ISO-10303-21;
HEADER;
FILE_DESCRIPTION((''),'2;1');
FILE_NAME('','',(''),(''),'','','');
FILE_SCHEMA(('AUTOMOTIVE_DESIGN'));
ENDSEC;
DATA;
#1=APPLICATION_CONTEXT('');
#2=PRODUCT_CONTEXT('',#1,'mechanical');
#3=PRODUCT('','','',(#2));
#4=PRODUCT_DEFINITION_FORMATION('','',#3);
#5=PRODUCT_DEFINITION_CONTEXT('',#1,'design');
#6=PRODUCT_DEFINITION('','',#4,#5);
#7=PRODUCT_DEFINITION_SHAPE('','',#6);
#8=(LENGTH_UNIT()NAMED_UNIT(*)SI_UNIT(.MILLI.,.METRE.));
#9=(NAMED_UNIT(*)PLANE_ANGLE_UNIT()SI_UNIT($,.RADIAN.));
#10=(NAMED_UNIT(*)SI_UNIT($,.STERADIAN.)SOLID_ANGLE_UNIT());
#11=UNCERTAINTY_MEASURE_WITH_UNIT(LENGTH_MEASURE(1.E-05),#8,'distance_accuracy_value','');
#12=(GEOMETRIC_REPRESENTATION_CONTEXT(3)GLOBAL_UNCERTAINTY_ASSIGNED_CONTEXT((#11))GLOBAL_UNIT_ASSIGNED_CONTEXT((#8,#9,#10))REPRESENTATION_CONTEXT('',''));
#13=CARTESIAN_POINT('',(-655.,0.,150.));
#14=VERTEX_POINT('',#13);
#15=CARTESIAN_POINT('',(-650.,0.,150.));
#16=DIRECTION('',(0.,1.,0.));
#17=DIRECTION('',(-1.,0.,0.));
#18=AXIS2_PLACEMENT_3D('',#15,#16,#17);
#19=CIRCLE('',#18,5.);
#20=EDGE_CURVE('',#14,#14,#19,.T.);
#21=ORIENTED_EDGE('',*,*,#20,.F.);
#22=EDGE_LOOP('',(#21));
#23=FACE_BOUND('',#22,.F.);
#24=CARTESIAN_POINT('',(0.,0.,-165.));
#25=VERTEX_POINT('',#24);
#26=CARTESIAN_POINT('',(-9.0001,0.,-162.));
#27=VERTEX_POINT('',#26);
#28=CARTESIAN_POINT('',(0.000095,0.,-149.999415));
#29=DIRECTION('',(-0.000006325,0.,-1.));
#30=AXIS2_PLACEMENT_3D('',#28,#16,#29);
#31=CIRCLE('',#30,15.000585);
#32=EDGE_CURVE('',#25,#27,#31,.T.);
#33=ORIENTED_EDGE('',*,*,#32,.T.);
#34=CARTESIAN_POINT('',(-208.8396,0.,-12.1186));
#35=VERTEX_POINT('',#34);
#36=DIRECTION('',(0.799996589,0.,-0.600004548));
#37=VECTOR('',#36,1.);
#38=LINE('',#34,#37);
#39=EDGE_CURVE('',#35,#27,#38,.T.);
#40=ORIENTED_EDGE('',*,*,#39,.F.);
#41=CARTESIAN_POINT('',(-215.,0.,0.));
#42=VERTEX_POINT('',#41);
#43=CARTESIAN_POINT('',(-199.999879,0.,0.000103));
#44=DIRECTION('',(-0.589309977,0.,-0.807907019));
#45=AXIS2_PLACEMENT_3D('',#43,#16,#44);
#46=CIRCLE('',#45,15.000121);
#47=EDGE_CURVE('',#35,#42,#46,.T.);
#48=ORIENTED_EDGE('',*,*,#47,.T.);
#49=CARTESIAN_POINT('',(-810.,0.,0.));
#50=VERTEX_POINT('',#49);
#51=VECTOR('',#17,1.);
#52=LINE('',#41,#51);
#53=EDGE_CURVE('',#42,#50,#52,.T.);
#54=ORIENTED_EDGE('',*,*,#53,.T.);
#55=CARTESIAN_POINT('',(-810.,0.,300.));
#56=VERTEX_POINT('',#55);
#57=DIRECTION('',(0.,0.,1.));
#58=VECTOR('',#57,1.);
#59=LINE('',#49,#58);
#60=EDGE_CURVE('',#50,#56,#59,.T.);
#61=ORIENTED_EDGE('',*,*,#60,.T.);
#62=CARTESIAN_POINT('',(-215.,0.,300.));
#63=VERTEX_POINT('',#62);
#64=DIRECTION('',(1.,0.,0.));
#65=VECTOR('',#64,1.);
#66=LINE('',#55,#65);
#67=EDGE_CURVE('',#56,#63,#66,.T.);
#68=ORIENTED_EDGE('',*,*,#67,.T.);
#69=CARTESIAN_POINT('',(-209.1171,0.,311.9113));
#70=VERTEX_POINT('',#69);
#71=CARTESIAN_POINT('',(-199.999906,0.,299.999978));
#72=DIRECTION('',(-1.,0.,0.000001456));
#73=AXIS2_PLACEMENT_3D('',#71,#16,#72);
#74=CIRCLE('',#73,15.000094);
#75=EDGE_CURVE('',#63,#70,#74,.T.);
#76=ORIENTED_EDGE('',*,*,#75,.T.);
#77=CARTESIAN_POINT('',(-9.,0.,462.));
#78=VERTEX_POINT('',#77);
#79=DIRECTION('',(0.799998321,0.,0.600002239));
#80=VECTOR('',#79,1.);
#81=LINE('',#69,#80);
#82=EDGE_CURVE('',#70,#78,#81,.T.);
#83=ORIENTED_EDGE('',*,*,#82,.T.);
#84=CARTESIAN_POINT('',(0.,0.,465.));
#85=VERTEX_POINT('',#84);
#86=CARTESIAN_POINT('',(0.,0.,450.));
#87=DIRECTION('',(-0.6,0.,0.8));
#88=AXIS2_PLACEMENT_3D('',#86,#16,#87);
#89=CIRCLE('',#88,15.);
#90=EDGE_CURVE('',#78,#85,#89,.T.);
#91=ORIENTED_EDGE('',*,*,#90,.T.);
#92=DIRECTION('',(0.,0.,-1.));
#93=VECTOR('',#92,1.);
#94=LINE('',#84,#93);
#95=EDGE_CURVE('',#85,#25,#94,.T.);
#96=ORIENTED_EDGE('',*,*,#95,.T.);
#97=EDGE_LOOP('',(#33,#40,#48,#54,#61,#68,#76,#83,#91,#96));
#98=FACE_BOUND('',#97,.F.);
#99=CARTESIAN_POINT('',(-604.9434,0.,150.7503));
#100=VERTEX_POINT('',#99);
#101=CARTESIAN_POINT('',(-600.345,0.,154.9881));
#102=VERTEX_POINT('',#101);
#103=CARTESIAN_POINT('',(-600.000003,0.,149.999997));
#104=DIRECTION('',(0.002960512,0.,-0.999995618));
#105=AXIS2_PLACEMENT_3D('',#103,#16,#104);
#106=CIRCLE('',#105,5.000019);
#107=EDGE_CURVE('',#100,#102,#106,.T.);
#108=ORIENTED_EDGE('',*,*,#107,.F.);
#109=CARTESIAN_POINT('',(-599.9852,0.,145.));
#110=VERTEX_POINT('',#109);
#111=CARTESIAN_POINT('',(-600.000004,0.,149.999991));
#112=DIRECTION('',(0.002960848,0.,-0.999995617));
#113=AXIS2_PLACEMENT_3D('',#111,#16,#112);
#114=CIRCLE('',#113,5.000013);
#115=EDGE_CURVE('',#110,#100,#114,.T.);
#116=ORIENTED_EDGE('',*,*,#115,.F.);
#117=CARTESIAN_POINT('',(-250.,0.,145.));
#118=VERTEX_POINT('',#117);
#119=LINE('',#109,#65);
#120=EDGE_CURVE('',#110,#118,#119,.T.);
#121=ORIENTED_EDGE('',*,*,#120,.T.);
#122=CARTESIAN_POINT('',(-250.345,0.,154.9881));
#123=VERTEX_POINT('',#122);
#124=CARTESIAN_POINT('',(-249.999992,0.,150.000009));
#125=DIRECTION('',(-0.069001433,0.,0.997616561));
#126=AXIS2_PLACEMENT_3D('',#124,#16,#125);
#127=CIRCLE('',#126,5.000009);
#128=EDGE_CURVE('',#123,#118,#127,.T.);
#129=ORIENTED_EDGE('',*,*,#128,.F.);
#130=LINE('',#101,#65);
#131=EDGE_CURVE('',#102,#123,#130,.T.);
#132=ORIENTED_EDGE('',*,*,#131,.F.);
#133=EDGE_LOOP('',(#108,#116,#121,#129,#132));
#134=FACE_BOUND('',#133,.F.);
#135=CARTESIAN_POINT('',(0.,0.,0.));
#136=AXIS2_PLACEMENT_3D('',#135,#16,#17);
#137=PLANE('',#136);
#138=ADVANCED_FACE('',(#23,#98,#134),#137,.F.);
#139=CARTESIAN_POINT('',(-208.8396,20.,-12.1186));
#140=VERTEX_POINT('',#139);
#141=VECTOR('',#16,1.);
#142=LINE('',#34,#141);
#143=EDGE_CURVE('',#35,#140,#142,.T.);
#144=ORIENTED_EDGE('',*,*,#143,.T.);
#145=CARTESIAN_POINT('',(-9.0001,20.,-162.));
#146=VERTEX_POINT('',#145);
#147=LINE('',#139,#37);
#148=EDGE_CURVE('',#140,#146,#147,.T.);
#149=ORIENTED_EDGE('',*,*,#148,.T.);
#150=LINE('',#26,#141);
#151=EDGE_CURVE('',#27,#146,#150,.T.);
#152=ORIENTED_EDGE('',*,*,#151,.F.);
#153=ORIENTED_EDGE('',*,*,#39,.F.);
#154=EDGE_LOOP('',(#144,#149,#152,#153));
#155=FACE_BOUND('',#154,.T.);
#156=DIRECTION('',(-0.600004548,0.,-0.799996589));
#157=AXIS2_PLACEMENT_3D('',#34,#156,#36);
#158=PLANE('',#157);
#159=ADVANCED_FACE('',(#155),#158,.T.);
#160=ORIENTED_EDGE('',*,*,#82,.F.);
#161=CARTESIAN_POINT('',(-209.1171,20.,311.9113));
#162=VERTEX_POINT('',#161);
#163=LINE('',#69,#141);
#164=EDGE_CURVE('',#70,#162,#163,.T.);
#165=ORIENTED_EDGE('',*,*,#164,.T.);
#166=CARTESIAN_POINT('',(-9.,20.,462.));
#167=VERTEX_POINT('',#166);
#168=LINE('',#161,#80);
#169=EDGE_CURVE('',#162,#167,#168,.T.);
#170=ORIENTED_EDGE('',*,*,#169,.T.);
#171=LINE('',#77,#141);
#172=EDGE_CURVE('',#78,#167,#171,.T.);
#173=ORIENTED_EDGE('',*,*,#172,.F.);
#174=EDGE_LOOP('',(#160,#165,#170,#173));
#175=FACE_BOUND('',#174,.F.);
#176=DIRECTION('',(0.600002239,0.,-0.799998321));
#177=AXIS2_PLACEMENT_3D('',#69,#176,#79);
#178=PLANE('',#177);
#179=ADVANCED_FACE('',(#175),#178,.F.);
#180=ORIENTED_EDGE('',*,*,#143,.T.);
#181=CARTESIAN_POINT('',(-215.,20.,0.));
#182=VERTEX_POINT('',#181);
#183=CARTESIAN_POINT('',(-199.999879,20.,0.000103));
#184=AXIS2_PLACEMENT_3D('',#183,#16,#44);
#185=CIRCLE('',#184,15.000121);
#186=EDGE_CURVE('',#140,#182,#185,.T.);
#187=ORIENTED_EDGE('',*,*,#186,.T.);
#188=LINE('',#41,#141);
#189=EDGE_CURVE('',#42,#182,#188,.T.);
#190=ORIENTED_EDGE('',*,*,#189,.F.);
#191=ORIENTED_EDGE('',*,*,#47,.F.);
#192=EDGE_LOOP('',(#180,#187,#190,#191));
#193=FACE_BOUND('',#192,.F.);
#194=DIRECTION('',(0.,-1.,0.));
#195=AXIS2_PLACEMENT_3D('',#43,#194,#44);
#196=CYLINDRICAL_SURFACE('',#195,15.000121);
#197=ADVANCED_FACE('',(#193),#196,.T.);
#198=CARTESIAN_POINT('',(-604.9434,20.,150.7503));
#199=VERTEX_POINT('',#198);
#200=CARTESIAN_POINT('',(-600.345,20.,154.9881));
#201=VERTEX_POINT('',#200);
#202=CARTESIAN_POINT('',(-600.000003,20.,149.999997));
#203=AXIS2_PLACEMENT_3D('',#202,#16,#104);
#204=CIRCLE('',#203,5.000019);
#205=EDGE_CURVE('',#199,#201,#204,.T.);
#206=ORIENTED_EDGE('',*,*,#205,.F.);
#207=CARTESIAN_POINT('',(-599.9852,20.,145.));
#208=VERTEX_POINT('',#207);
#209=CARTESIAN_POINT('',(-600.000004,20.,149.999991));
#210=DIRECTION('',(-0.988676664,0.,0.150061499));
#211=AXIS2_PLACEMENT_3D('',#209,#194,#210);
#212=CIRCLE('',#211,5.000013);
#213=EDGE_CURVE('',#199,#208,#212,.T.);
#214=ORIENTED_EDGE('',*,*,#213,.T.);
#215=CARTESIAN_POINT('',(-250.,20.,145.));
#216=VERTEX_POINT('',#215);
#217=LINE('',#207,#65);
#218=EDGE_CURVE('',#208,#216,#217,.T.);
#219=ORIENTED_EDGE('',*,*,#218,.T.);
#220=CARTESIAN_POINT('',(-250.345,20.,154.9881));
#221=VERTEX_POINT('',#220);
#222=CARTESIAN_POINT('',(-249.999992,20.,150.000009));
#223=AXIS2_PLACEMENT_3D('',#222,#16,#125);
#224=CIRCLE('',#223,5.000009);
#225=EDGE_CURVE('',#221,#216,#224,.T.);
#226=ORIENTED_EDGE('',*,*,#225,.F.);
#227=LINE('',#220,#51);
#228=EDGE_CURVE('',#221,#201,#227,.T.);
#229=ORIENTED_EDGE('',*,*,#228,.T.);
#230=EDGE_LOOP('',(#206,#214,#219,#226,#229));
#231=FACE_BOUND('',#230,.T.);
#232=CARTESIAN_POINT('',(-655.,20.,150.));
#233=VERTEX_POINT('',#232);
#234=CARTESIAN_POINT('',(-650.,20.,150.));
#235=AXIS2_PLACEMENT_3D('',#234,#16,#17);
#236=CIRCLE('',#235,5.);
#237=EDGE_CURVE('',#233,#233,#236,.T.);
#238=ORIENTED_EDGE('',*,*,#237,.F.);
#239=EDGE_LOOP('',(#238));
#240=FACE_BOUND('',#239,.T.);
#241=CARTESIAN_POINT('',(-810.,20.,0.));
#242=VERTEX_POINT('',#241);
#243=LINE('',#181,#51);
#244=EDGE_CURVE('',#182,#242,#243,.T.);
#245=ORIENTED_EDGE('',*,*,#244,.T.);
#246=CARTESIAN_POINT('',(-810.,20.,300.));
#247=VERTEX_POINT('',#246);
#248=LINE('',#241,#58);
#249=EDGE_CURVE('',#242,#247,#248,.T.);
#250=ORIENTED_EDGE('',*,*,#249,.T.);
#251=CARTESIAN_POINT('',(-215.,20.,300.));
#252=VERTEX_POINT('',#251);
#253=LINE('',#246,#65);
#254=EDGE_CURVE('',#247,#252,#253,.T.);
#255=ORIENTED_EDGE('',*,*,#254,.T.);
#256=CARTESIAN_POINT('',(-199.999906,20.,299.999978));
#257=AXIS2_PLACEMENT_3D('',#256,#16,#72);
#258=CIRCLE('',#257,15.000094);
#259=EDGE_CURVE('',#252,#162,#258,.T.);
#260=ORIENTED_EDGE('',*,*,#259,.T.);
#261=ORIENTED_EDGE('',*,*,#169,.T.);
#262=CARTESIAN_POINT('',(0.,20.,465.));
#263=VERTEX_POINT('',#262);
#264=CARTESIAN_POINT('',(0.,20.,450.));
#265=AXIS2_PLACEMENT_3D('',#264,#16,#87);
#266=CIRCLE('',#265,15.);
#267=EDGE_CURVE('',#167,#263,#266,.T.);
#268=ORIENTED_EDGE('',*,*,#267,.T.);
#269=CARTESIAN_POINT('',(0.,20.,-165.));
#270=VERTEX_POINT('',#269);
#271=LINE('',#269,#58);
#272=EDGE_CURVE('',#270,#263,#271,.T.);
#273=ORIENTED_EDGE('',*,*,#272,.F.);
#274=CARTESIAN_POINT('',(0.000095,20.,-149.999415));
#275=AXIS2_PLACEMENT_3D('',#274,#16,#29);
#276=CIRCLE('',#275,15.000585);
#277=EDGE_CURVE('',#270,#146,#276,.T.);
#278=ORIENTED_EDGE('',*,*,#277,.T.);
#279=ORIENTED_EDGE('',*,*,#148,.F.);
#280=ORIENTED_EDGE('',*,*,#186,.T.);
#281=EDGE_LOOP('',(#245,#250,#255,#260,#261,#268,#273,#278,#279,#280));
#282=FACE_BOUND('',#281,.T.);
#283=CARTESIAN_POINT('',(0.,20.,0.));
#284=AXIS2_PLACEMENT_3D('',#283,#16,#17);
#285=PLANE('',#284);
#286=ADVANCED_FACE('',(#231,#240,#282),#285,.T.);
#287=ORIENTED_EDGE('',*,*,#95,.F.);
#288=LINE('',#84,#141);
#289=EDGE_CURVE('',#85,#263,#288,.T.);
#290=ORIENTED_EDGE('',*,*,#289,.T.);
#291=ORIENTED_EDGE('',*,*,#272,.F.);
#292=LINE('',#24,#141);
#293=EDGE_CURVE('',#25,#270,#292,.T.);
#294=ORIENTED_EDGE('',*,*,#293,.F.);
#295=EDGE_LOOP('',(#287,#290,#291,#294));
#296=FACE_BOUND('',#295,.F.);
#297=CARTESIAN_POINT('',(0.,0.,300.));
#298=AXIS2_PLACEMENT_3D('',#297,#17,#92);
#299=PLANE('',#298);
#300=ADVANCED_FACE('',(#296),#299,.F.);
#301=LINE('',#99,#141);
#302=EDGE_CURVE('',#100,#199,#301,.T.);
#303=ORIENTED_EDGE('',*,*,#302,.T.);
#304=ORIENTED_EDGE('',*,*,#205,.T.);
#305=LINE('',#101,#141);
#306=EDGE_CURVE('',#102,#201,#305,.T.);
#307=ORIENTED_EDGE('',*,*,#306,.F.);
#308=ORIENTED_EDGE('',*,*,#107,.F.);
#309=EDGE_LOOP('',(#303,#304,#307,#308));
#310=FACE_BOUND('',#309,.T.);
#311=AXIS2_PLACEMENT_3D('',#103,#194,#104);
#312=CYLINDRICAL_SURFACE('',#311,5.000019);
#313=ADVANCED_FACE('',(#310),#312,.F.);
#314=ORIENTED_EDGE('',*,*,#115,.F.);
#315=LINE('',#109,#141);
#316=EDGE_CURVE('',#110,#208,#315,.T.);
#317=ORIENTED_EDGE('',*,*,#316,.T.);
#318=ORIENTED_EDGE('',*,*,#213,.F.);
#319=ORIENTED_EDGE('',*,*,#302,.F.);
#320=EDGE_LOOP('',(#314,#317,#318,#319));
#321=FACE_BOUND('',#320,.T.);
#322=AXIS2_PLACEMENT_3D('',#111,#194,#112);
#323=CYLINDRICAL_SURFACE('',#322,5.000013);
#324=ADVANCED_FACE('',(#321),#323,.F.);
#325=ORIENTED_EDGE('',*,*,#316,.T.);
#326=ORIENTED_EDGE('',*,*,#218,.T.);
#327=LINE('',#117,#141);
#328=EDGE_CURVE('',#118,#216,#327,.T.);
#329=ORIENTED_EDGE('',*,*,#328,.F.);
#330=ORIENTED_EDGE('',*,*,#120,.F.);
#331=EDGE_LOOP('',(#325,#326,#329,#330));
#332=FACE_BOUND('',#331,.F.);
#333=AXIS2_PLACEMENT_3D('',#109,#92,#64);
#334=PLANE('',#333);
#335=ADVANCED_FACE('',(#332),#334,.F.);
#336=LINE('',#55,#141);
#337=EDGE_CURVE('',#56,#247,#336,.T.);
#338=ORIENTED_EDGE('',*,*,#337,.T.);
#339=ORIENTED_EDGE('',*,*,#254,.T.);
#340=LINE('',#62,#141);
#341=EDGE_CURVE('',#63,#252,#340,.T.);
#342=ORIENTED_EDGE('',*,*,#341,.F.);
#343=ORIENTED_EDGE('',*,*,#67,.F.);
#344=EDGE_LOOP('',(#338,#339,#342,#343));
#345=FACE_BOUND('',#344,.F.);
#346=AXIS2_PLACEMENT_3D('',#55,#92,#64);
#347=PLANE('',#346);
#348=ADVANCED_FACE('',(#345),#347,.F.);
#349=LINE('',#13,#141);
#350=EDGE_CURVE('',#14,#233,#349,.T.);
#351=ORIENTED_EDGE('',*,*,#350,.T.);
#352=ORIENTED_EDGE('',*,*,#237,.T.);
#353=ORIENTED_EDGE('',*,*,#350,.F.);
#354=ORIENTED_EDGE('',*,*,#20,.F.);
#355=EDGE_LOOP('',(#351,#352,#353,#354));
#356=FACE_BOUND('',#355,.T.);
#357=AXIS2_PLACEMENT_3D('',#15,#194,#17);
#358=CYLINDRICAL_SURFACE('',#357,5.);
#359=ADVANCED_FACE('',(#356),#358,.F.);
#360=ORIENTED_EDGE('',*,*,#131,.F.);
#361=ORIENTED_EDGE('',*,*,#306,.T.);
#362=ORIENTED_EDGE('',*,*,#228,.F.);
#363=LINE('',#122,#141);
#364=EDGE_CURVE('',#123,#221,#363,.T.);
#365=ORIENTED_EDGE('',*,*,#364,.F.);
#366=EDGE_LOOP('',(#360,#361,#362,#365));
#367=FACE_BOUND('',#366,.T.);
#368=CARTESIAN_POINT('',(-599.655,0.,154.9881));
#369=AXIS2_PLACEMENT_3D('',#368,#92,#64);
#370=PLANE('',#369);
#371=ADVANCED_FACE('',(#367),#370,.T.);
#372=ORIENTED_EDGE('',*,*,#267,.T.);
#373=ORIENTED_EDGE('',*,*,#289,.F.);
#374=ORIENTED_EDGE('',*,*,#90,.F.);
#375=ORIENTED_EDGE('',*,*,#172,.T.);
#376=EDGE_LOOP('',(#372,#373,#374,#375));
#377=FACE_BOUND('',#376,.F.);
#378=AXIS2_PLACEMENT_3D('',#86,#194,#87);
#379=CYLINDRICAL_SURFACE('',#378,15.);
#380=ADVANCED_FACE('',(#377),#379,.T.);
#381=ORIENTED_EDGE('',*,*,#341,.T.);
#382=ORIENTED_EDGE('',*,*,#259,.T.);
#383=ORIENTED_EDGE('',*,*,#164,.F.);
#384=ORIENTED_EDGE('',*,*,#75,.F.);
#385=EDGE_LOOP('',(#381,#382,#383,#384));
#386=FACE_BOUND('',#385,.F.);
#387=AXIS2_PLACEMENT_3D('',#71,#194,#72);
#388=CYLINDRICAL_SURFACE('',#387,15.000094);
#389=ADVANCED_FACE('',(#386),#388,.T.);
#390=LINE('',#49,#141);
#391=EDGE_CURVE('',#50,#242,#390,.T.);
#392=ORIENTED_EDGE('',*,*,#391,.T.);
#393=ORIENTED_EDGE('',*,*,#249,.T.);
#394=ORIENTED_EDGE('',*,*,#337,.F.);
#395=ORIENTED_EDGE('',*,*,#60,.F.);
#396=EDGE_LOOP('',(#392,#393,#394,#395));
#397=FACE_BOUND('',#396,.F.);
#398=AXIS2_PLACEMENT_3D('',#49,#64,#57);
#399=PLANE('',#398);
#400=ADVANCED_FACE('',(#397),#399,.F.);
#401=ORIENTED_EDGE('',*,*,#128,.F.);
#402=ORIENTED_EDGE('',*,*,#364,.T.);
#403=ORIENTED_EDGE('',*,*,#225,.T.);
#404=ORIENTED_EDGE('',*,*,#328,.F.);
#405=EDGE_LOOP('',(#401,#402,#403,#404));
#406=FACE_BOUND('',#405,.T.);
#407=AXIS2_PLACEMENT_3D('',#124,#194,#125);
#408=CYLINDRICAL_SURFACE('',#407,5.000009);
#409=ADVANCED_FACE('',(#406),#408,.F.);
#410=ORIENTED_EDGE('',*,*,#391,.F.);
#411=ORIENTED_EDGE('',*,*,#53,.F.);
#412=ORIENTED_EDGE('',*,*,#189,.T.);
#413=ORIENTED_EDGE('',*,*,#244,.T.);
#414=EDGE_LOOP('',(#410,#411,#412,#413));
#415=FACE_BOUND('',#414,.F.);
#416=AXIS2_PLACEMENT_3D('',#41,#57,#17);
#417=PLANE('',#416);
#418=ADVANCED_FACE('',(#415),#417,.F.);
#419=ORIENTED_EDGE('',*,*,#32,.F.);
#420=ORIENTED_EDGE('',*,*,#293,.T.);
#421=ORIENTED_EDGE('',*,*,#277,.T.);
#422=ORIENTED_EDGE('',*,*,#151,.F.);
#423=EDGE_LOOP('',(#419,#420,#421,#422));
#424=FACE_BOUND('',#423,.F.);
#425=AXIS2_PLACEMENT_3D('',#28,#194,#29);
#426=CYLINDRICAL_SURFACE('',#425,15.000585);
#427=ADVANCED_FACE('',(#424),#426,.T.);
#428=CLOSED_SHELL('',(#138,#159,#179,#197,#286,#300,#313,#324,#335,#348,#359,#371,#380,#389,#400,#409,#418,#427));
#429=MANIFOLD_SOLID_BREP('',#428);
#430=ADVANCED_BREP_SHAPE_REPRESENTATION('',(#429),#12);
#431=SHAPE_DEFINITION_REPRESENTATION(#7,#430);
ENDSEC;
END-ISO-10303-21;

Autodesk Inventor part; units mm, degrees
ref_plane "YZ Plane" through (0, 0, 0) normal (1, 0, 0) x (0, 1, 0)
ref_plane "XZ Plane" through (0, 0, 0) normal (0, 1, 0) x (-1, 0, 0)
ref_plane "XY Plane" through (0, 0, 0) normal (0, 0, 1) x (1, 0, 0)
sketch "Block1" plane through (0, 0, 0) normal (0, 0, 1) x (1, 0, 0)
  line L0 (-221.2939, -300.22) -> (-810.22, -300.22)
  line L1 (-810.22, -300.22) -> (-810.22, 0.22)
  line L2 (-810.22, 0.22) -> (-221.2939, 0.22)
  line L3 (-221.2939, 0.22) -> (-10.7624, 210.7619)
  arc A0 (0.22, 215.2184) -> (-10.7624, 210.7619) centre (0, 200) ccw
  line L4 (0.22, 215.2184) -> (0.22, -515.2184)
  arc A1 (-10.7624, -510.7619) -> (0.22, -515.2184) centre (0, -500) ccw
  line L5 (-10.7624, -510.7619) -> (-221.2939, -300.22)
  line L6 (-600.3559, -155.3081) -> (-250.3559, -155.3081)
  arc A2 (-250.3559, -155.3081) -> (-250, -144.68) centre (-250, -150) ccw
  line L7 (-250, -144.68) -> (-599.9854, -144.68)
  line L8 (-599.9854, -144.68) -> (-600.0274, -144.6801)
  arc A3 (-600.0274, -144.6801) -> (-600.3559, -155.3081) centre (-600, -150) ccw
  circle A4 centre (-650, -150) radius 5.22
  point P0 (-340.1003, -149.6438)
sketch "Block2" plane through (0, 0, 0) normal (0, 0, 1) x (1, 0, 0)
  line L0 (-810.22, -300.22) -> (-810.22, 0.22)
  line L1 (-810.22, 0.22) -> (-215.2184, 0.22)
  arc A0 (-208.9704, 12.2955) -> (-215.2184, 0.22) centre (-200, 0) ccw
  line L2 (-208.9704, 12.2955) -> (-9.1321, 162.176)
  arc A1 (0.22, 165.2184) -> (-9.1321, 162.176) centre (0, 150) ccw
  line L3 (0.22, 165.2184) -> (0.22, -465.2184)
  arc A2 (-9.132, -462.176) -> (0.22, -465.2184) centre (0, -450) ccw
  line L4 (-9.132, -462.176) -> (-209.25, -312.0866)
  arc A3 (-215.2184, -300.22) -> (-209.25, -312.0866) centre (-200, -300) ccw
  line L5 (-215.2184, -300.22) -> (-810.22, -300.22)
  line L6 (-600.3526, -155.2081) -> (-250.3526, -155.2081)
  arc A4 (-250.3526, -155.2081) -> (-250, -144.78) centre (-250, -150) ccw
  line L7 (-250, -144.78) -> (-599.9853, -144.78)
  line L8 (-599.9853, -144.78) -> (-600.0271, -144.7801)
  arc A5 (-600.0271, -144.7801) -> (-600.3526, -155.2081) centre (-600, -150) ccw
  circle A6 centre (-650, -150) radius 5.22
  point P0 (-319.1116, -149.6914)
sketch "Sketch1" plane through (0, 0, 0) normal (0, 1, 0) x (-1, 0, 0)
  line L0 (215, 0) -> (810, 0)
  line L1 (810, 0) -> (810, 300)
  line L2 (810, 300) -> (215, 300)
  line L3 (0, 300) -> (0, 0)
  line L4 (-166.7515, 0) -> (998.9689, 0) projected
  line L5 (0, -579.8647) -> (0, 1964.869) projected
  line L6 (998.9689, 0) -> (-166.7515, 0) projected
  arc A0 (9, 462) -> (0, 465) centre (0, 450) ccw
  arc A1 (0, -165) -> (9.0001, -162) centre (0, -150) ccw
  arc A2 (215, 300) -> (209.1171, 311.9113) centre (200, 300) ccw
  arc A3 (208.8396, -12.1186) -> (215, 0) centre (200, 0) ccw
  line L7 (209.1171, 311.9113) -> (9, 462)
  line L8 (208.8396, -12.1186) -> (9.0001, -162)
  line L9 (0, 465) -> (0, 300)
  line L10 (0, -165) -> (0, 0)
  arc A4 (599.9852, 145) -> (604.9434, 150.7503) centre (600, 150) ccw
  circle A5 centre (650, 150) radius 5
  arc A6 (599.9852, 145) -> (599.655, 154.9881) centre (600, 150) ccw
  line L11 (599.9852, 145) -> (600.0264, 145.0001)
  arc A7 (599.9852, 145) -> (599.655, 154.9881) centre (600, 150) ccw
  arc A8 (250.345, 154.9881) -> (250, 145) centre (250, 150) ccw
  line L12 (600.345, 154.9881) -> (250, 154.9881)
  line L13 (599.9852, 145) -> (250, 145)
  arc A9 (9.132, 462.176) -> (-0.22, 465.2184) centre (0, 450) ccw
  line L14 (-0.22, 465.2184) -> (-0.22, 300)
  line L15 (-0.22, 300) -> (-0.22, 0)
  line L16 (-0.22, 0) -> (-0.22, -165.2184)
  arc A10 (-0.22, -165.2184) -> (9.1321, -162.176) centre (0, -150) ccw
  line L17 (9.1321, -162.176) -> (225.0709, -0.22)
  line L18 (225.0709, -0.22) -> (810.22, -0.22)
  line L19 (810.22, -0.22) -> (810.22, 300.22)
  line L20 (810.22, 300.22) -> (225.072, 300.22)
  line L21 (225.072, 300.22) -> (9.132, 462.176)
  point P0 (400.5629, 131.6754)
  point P1 (595.0566, 150.7503)
  dimension "d25" = 810
  dimension "d26" = 30
  dimension "d27" = 30
  dimension "d28" = 150
  dimension "d29" = 150
  dimension "d30" = 30
  dimension "d31" = 30
  dimension "d32" = 200
  dimension "d33" = 200
  dimension "d35" = 10
  dimension "d36" = 10
  dimension "d39" = 50
  dimension "d42" = 300
  dimension "d43" = 300
  dimension "d44" = 150
  dimension "d46" = 10
  dimension "d47" = 150
  dimension "d48" = 250
  dimension "d49" = 350
  dimension "d50" = 0.22
extrude "Extrusion2" add sketch "Sketch1" along normal blind 20 contours L4 L3 L5 A0 L7 A2 L2 L1 L0 | A3 L8 A1 L5 L4 | L12 A6
sketch "Sketch5" plane through (0, 20, 0) normal (0, 1, 0) x (1, 0, 0)
  line L0 (-600.0264, -145.0001) -> (-599.9852, -145) projected
  line L1 (-599.9852, -145) -> (-250, -145) projected
  arc A0 (-250.345, -154.9881) -> (-250, -145) centre (-250, -150) ccw projected
  line L2 (-250.345, -154.9881) -> (-600.345, -154.9881) projected
  arc A1 (-600.0264, -145.0001) -> (-600.345, -154.9881) centre (-600, -150) ccw projected
  circle A2 centre (-650, -150) radius 5 projected
  line L3 (0, -465) -> (0, 165) projected
  arc A3 (0, 165) -> (-9.0001, 162) centre (0, 150) ccw projected
  line L4 (-9.0001, 162) -> (-208.8396, 12.1186) projected
  arc A4 (-208.8396, 12.1186) -> (-215, 0) centre (-200, 0) ccw projected
  line L5 (-215, 0) -> (-810, 0) projected
  line L6 (-810, 0) -> (-810, -300) projected
  line L7 (-810, -300) -> (-215, -300) projected
  arc A5 (-215, -300) -> (-209.1171, -311.9113) centre (-200, -300) ccw projected
  line L8 (-209.1171, -311.9113) -> (-9, -462) projected
  arc A6 (-9, -462) -> (0, -465) centre (0, -450) ccw projected
  point P0 (0, 0)
sketch "DXF" plane through (0, 0, 0) normal (0, 1, 0) x (-1, 0, 0)
  point P0 (0, 0)
equation "\"d50\" = Kerf"
equation "\"Kerf\" = 0.22"
properties part number "sideplate"
